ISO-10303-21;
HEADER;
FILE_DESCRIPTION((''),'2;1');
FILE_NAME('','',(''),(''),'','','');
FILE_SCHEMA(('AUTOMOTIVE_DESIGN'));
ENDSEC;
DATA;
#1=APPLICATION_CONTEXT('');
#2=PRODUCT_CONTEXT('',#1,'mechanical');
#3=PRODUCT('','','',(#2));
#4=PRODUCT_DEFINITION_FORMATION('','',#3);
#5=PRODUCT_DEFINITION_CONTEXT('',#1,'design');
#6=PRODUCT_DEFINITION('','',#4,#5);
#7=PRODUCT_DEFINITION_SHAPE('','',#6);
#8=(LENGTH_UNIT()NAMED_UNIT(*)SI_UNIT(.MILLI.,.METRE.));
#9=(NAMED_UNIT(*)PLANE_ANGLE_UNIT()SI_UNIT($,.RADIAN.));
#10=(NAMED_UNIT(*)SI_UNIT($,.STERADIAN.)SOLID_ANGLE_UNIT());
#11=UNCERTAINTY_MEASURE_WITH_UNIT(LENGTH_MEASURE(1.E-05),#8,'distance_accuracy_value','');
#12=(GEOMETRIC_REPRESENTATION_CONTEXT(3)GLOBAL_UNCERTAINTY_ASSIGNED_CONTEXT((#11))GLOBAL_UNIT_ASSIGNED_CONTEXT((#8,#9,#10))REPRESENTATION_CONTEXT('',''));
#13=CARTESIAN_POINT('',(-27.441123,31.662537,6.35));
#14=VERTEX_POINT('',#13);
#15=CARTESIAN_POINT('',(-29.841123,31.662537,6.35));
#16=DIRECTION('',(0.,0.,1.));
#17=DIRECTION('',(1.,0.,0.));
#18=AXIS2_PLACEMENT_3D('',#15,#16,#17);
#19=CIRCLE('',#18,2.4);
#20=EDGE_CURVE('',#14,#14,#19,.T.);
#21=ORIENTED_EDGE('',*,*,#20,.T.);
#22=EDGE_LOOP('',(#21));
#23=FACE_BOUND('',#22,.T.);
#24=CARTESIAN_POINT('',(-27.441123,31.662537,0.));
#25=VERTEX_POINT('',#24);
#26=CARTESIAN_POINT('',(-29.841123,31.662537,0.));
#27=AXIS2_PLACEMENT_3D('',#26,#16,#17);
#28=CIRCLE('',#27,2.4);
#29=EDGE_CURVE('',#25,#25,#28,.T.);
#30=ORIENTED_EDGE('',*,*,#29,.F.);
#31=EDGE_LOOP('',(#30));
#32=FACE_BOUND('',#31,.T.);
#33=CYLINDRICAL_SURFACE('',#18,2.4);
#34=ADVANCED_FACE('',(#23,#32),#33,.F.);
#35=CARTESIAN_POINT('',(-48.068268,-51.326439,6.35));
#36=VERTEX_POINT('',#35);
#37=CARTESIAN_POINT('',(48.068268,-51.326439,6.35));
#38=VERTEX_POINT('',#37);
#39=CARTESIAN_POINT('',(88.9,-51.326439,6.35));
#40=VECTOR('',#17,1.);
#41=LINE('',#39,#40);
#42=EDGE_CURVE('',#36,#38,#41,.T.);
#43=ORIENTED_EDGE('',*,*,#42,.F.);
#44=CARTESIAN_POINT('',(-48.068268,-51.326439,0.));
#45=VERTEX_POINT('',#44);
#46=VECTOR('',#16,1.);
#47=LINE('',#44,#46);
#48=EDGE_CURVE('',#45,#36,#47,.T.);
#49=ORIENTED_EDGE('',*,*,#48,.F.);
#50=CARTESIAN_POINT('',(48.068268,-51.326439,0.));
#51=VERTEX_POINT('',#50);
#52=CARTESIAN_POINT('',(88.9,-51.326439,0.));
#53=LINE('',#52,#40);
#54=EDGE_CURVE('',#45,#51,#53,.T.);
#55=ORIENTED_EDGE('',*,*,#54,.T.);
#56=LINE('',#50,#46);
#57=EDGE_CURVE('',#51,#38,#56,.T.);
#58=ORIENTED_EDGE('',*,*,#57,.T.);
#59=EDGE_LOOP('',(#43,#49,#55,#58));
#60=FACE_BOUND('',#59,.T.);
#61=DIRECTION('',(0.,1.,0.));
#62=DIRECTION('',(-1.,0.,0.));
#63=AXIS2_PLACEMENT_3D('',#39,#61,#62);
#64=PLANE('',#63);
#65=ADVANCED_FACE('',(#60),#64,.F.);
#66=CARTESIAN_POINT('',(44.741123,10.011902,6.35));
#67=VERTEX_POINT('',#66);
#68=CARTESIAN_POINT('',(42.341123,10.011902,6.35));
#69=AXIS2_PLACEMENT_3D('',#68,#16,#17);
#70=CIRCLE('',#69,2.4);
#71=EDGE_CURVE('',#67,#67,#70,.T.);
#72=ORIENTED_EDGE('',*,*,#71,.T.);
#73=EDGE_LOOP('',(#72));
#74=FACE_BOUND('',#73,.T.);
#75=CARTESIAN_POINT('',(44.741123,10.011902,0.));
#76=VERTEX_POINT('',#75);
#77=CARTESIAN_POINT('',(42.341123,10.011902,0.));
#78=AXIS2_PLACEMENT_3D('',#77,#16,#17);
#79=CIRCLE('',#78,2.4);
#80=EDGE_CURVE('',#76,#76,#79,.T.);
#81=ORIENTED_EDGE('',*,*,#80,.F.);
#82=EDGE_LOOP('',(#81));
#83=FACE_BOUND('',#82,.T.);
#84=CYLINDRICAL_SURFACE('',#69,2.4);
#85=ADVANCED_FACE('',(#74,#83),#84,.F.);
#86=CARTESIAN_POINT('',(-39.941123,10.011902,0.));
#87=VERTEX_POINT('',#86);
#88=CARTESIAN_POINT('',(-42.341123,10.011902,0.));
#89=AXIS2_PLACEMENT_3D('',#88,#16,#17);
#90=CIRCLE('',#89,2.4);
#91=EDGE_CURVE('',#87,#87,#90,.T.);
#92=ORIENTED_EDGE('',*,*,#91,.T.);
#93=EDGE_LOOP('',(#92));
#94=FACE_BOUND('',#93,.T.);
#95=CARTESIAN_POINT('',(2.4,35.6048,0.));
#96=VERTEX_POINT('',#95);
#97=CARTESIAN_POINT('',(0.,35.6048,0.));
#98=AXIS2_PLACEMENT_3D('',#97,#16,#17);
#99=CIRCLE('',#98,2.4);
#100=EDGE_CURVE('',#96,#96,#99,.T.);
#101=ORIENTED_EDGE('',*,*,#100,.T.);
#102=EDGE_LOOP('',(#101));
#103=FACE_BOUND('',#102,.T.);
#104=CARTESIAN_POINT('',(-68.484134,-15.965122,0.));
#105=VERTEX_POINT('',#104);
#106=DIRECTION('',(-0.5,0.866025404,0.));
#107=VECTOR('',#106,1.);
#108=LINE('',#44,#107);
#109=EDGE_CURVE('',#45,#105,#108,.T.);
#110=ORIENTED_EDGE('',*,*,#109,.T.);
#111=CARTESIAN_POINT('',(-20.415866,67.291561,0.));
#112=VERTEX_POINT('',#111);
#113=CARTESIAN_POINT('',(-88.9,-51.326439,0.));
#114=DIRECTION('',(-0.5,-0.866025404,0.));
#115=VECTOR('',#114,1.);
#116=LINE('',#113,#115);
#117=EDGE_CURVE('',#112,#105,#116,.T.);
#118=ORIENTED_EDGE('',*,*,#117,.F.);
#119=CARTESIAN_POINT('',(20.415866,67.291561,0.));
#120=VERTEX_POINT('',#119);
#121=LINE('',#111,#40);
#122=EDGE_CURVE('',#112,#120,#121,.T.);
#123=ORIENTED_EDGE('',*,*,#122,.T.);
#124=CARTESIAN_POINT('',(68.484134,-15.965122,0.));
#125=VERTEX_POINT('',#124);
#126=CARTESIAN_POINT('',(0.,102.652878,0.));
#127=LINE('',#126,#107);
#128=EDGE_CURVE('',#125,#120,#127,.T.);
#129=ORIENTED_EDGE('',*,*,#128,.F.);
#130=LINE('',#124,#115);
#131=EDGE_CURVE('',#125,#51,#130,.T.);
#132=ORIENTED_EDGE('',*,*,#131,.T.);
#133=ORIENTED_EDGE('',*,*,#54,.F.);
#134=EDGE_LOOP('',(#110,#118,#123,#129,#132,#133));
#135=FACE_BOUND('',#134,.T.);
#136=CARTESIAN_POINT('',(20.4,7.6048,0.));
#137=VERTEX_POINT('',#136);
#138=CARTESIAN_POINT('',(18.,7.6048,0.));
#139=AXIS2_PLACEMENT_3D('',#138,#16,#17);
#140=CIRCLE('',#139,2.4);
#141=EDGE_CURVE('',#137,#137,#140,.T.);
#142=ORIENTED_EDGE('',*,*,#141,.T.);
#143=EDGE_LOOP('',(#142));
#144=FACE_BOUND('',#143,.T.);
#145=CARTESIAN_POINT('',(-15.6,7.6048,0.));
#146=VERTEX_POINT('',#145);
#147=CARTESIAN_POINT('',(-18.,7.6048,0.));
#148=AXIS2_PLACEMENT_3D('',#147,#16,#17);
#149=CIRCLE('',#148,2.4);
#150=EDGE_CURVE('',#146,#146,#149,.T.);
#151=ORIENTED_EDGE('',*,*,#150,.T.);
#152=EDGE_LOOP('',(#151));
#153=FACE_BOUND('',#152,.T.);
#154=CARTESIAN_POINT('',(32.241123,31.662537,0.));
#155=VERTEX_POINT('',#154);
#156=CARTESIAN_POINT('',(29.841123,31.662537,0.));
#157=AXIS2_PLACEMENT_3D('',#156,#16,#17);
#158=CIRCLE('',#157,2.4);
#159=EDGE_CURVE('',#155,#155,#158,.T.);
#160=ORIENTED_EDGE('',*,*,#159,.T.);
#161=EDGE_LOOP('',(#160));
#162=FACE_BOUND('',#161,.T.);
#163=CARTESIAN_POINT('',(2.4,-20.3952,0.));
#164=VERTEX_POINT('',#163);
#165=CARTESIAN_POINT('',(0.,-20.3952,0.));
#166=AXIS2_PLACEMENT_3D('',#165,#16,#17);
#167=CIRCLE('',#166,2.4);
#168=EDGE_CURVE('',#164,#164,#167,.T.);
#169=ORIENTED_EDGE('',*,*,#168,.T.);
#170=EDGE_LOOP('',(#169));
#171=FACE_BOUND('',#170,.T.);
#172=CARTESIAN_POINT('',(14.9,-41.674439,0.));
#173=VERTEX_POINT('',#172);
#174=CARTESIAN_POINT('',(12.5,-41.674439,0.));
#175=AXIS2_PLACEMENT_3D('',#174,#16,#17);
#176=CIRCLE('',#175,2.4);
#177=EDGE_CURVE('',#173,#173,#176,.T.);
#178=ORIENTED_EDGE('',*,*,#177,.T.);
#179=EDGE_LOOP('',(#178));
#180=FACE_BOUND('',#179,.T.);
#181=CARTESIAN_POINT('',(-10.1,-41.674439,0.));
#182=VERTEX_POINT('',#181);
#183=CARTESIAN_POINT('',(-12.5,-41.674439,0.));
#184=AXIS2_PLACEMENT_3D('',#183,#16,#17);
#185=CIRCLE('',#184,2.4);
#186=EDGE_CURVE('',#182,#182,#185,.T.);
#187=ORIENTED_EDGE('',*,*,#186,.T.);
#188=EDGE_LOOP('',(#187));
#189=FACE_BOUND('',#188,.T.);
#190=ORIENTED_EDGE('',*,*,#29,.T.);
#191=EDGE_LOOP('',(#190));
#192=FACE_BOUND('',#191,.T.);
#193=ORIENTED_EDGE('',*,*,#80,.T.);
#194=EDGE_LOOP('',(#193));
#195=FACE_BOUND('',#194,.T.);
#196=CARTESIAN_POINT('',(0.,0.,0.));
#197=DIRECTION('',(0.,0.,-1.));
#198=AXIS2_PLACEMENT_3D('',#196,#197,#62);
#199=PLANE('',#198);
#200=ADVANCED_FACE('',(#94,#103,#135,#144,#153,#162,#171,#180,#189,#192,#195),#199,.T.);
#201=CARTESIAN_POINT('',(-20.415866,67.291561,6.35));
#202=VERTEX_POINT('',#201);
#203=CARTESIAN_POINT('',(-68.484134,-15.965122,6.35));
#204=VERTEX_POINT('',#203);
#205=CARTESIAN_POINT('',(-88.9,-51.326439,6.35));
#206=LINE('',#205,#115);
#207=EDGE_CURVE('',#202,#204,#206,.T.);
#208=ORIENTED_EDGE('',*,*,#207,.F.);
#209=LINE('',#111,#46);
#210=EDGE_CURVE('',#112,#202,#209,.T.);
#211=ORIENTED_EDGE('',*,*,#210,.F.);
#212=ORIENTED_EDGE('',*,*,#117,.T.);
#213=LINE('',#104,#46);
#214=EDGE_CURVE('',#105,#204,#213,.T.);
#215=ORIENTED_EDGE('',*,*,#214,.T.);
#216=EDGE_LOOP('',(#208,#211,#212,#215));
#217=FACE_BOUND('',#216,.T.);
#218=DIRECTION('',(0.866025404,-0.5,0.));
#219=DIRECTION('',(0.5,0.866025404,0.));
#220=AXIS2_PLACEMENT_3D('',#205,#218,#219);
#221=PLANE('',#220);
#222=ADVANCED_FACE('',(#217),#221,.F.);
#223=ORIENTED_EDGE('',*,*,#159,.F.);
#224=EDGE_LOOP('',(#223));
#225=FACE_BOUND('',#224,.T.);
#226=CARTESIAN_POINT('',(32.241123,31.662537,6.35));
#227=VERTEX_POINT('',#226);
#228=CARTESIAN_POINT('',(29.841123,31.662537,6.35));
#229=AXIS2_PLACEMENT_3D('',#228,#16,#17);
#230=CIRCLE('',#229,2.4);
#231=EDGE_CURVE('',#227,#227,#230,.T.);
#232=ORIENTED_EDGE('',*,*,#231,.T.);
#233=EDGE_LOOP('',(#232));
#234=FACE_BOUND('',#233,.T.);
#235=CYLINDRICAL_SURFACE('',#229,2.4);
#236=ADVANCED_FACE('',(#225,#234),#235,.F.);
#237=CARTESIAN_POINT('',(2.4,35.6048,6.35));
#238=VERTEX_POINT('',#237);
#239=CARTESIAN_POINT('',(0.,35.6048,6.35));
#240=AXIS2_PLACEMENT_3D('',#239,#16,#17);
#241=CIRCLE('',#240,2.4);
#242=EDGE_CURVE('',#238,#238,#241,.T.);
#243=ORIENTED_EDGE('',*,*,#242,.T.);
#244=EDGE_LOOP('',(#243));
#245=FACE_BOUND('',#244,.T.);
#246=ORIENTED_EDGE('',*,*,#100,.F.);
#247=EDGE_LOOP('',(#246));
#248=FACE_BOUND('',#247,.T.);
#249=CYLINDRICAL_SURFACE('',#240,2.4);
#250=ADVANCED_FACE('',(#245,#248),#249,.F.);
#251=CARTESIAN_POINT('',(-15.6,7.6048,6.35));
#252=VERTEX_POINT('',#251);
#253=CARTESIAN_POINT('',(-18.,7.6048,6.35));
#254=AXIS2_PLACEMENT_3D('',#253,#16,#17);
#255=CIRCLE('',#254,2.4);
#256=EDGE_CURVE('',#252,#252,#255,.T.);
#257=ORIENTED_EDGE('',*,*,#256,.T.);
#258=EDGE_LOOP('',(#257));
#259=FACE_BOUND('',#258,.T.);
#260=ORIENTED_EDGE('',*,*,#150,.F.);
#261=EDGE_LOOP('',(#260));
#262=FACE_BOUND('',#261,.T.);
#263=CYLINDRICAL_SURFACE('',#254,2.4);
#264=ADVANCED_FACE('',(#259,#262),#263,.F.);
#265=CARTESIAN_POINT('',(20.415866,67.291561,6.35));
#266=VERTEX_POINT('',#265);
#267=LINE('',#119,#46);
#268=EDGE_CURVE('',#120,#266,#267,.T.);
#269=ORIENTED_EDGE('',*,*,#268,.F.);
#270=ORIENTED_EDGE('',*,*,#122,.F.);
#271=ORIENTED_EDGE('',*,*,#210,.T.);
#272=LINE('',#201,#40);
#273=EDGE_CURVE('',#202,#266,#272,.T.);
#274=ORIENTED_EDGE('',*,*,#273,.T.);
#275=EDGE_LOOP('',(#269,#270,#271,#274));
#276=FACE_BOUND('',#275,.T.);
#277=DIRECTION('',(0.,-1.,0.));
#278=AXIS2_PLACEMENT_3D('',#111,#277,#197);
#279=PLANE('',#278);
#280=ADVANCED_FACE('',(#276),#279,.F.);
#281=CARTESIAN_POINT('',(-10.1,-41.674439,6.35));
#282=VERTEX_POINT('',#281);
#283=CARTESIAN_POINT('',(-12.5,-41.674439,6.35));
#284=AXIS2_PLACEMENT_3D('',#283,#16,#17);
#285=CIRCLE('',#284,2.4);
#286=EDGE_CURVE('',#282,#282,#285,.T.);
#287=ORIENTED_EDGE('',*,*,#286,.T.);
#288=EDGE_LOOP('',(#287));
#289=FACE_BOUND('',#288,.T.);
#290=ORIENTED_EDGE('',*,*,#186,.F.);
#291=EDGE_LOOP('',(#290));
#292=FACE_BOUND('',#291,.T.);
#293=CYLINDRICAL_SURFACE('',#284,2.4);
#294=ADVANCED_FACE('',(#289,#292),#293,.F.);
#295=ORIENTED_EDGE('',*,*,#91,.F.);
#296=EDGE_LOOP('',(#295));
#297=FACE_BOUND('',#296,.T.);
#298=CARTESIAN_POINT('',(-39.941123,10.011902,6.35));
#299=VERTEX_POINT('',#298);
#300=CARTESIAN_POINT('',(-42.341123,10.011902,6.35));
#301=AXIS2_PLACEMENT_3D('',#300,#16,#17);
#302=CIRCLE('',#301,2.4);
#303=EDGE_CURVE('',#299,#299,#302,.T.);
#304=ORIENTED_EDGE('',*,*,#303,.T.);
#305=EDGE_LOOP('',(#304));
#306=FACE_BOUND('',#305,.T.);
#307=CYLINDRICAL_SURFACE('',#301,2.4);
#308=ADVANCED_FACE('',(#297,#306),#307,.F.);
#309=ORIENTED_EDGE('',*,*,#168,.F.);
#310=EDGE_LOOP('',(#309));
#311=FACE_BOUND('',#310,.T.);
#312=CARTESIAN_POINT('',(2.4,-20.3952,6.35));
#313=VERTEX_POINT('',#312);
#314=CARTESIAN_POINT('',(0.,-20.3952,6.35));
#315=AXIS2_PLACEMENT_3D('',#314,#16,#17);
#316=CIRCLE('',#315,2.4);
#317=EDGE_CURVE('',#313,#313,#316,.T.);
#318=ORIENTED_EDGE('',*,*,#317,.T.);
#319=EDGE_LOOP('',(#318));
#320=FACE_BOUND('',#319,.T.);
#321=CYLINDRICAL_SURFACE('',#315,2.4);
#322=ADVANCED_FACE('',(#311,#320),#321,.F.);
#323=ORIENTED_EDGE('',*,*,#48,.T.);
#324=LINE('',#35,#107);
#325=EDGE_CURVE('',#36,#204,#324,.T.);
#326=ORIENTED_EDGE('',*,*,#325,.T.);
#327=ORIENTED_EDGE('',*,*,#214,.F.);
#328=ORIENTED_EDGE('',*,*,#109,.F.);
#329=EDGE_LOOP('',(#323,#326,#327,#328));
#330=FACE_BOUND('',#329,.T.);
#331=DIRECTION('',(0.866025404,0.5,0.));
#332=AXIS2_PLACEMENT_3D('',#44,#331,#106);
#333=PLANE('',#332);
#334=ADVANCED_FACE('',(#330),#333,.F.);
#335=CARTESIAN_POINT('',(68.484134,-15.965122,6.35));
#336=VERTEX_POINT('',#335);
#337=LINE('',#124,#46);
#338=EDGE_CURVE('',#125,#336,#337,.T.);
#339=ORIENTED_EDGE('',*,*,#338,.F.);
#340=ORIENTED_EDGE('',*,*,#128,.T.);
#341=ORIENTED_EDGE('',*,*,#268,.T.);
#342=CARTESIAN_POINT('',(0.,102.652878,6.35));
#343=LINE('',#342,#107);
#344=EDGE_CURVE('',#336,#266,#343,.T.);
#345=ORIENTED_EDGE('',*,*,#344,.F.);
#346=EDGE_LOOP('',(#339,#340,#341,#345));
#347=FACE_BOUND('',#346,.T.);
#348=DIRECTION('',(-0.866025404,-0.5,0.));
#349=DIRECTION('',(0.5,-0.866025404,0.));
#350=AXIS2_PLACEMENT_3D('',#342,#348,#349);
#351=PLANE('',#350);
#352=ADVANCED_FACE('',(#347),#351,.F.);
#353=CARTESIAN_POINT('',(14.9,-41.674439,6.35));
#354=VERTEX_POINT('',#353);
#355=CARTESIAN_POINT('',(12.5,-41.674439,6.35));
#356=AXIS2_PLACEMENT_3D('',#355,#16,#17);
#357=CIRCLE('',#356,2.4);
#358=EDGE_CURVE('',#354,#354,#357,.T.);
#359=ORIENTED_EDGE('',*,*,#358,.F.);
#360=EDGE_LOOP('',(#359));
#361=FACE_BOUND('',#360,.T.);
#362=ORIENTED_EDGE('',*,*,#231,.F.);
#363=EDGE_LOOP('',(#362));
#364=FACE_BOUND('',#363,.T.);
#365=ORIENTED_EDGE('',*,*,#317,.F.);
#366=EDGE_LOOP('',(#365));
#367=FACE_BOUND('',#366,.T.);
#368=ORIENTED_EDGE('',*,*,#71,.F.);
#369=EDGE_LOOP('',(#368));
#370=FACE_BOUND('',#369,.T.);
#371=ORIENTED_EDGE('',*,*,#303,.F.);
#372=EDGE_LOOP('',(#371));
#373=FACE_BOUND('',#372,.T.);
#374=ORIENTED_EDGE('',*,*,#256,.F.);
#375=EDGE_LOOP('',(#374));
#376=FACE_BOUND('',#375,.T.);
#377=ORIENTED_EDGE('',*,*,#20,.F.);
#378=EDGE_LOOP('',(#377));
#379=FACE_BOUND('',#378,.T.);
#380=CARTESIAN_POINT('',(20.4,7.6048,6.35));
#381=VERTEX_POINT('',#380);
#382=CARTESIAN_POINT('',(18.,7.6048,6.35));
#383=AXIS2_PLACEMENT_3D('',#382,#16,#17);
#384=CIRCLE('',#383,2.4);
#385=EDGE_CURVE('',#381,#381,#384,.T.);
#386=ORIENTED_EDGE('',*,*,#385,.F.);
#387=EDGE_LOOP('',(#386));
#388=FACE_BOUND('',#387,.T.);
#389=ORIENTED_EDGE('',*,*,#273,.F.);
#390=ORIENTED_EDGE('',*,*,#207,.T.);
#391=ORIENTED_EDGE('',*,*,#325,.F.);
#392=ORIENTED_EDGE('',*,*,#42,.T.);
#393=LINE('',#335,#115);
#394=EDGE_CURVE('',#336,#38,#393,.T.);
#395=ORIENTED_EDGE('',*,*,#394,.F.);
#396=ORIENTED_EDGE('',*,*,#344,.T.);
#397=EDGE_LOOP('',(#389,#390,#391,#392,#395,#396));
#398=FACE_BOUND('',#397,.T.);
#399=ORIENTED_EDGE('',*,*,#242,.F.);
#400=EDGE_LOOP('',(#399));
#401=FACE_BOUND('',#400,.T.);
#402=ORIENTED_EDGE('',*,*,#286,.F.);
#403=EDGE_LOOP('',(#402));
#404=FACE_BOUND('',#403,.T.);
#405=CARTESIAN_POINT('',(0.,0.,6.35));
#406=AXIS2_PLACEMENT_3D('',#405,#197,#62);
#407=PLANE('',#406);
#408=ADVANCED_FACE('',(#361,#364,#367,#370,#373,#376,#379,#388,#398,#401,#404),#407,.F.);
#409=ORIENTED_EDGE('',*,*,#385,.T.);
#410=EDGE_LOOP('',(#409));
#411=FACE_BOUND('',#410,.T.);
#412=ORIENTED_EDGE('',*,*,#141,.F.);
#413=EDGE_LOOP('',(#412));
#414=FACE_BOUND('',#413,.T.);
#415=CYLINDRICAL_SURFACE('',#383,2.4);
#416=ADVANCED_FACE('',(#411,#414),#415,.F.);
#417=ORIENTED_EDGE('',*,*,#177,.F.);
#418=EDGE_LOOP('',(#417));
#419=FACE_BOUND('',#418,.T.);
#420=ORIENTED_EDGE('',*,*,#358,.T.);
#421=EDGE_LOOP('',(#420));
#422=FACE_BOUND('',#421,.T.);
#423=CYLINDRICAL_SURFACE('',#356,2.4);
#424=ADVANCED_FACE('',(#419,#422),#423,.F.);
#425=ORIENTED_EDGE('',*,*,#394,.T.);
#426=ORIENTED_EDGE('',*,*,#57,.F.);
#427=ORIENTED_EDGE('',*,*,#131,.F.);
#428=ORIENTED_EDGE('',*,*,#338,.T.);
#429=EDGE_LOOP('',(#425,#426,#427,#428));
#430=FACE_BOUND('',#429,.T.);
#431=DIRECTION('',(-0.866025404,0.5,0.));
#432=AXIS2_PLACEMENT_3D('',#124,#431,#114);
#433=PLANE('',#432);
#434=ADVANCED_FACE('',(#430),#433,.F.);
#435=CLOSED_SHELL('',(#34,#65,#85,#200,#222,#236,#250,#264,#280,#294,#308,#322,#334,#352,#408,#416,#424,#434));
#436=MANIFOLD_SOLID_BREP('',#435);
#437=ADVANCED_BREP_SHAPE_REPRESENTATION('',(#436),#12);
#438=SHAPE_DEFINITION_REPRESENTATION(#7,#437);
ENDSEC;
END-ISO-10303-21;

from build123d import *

# Parameters (mm, degrees)
BOSS_EXTRU_1_DEPTH      = 6.35
ENL_V_MAT_EXTRU_1_DEPTH = 136.945378124
D_GAGEMENT_M41_D        = 4.8
D_GAGEMENT_M43_D        = 4.8


with BuildPart() as part:
    # Esquisse1 → Boss.-Extru.1 (new body)
    with BuildSketch(Plane.XY):
        Polygon((-88.9, -51.326438931), (0, 102.652877862), (88.9, -51.326438931), align=None)
    extrude(amount=BOSS_EXTRU_1_DEPTH)

    # Esquisse2 → Enlèv. mat.-Extru.1 (cut, through all)
    with BuildSketch(Plane.XY.offset(6.35)):
        Polygon((-20.415865769, 67.291561069), (20.415865769, 67.291561069), (0, 102.652877862), align=None)
        Polygon((48.068268461, -51.326438931), (88.9, -51.326438931), (68.484134231, -15.965122138), align=None)
        Polygon((-68.484134231, -15.965122138), (-88.9, -51.326438931), (-48.068268461, -51.326438931), align=None)
    extrude(amount=-ENL_V_MAT_EXTRU_1_DEPTH, mode=Mode.SUBTRACT)

    # Dégagement M41 (through all)
    with Locations(Plane.XY.offset(6.35)):
        with Locations((12.5, -41.674438931), (-12.5, -41.674438931), (-42.341122803, 10.011901918), (-29.841122803, 31.662537013), (29.841122803, 31.662537013), (42.341122803, 10.011901918)):
            Hole(D_GAGEMENT_M41_D / 2)

    # Dégagement M43 (through all)
    with Locations(Plane.XY.offset(6.35)):
        with Locations((0, 35.6048), (0, -20.3952), (18, 7.6048), (-18, 7.6048)):
            Hole(D_GAGEMENT_M43_D / 2)


solid = part.part
